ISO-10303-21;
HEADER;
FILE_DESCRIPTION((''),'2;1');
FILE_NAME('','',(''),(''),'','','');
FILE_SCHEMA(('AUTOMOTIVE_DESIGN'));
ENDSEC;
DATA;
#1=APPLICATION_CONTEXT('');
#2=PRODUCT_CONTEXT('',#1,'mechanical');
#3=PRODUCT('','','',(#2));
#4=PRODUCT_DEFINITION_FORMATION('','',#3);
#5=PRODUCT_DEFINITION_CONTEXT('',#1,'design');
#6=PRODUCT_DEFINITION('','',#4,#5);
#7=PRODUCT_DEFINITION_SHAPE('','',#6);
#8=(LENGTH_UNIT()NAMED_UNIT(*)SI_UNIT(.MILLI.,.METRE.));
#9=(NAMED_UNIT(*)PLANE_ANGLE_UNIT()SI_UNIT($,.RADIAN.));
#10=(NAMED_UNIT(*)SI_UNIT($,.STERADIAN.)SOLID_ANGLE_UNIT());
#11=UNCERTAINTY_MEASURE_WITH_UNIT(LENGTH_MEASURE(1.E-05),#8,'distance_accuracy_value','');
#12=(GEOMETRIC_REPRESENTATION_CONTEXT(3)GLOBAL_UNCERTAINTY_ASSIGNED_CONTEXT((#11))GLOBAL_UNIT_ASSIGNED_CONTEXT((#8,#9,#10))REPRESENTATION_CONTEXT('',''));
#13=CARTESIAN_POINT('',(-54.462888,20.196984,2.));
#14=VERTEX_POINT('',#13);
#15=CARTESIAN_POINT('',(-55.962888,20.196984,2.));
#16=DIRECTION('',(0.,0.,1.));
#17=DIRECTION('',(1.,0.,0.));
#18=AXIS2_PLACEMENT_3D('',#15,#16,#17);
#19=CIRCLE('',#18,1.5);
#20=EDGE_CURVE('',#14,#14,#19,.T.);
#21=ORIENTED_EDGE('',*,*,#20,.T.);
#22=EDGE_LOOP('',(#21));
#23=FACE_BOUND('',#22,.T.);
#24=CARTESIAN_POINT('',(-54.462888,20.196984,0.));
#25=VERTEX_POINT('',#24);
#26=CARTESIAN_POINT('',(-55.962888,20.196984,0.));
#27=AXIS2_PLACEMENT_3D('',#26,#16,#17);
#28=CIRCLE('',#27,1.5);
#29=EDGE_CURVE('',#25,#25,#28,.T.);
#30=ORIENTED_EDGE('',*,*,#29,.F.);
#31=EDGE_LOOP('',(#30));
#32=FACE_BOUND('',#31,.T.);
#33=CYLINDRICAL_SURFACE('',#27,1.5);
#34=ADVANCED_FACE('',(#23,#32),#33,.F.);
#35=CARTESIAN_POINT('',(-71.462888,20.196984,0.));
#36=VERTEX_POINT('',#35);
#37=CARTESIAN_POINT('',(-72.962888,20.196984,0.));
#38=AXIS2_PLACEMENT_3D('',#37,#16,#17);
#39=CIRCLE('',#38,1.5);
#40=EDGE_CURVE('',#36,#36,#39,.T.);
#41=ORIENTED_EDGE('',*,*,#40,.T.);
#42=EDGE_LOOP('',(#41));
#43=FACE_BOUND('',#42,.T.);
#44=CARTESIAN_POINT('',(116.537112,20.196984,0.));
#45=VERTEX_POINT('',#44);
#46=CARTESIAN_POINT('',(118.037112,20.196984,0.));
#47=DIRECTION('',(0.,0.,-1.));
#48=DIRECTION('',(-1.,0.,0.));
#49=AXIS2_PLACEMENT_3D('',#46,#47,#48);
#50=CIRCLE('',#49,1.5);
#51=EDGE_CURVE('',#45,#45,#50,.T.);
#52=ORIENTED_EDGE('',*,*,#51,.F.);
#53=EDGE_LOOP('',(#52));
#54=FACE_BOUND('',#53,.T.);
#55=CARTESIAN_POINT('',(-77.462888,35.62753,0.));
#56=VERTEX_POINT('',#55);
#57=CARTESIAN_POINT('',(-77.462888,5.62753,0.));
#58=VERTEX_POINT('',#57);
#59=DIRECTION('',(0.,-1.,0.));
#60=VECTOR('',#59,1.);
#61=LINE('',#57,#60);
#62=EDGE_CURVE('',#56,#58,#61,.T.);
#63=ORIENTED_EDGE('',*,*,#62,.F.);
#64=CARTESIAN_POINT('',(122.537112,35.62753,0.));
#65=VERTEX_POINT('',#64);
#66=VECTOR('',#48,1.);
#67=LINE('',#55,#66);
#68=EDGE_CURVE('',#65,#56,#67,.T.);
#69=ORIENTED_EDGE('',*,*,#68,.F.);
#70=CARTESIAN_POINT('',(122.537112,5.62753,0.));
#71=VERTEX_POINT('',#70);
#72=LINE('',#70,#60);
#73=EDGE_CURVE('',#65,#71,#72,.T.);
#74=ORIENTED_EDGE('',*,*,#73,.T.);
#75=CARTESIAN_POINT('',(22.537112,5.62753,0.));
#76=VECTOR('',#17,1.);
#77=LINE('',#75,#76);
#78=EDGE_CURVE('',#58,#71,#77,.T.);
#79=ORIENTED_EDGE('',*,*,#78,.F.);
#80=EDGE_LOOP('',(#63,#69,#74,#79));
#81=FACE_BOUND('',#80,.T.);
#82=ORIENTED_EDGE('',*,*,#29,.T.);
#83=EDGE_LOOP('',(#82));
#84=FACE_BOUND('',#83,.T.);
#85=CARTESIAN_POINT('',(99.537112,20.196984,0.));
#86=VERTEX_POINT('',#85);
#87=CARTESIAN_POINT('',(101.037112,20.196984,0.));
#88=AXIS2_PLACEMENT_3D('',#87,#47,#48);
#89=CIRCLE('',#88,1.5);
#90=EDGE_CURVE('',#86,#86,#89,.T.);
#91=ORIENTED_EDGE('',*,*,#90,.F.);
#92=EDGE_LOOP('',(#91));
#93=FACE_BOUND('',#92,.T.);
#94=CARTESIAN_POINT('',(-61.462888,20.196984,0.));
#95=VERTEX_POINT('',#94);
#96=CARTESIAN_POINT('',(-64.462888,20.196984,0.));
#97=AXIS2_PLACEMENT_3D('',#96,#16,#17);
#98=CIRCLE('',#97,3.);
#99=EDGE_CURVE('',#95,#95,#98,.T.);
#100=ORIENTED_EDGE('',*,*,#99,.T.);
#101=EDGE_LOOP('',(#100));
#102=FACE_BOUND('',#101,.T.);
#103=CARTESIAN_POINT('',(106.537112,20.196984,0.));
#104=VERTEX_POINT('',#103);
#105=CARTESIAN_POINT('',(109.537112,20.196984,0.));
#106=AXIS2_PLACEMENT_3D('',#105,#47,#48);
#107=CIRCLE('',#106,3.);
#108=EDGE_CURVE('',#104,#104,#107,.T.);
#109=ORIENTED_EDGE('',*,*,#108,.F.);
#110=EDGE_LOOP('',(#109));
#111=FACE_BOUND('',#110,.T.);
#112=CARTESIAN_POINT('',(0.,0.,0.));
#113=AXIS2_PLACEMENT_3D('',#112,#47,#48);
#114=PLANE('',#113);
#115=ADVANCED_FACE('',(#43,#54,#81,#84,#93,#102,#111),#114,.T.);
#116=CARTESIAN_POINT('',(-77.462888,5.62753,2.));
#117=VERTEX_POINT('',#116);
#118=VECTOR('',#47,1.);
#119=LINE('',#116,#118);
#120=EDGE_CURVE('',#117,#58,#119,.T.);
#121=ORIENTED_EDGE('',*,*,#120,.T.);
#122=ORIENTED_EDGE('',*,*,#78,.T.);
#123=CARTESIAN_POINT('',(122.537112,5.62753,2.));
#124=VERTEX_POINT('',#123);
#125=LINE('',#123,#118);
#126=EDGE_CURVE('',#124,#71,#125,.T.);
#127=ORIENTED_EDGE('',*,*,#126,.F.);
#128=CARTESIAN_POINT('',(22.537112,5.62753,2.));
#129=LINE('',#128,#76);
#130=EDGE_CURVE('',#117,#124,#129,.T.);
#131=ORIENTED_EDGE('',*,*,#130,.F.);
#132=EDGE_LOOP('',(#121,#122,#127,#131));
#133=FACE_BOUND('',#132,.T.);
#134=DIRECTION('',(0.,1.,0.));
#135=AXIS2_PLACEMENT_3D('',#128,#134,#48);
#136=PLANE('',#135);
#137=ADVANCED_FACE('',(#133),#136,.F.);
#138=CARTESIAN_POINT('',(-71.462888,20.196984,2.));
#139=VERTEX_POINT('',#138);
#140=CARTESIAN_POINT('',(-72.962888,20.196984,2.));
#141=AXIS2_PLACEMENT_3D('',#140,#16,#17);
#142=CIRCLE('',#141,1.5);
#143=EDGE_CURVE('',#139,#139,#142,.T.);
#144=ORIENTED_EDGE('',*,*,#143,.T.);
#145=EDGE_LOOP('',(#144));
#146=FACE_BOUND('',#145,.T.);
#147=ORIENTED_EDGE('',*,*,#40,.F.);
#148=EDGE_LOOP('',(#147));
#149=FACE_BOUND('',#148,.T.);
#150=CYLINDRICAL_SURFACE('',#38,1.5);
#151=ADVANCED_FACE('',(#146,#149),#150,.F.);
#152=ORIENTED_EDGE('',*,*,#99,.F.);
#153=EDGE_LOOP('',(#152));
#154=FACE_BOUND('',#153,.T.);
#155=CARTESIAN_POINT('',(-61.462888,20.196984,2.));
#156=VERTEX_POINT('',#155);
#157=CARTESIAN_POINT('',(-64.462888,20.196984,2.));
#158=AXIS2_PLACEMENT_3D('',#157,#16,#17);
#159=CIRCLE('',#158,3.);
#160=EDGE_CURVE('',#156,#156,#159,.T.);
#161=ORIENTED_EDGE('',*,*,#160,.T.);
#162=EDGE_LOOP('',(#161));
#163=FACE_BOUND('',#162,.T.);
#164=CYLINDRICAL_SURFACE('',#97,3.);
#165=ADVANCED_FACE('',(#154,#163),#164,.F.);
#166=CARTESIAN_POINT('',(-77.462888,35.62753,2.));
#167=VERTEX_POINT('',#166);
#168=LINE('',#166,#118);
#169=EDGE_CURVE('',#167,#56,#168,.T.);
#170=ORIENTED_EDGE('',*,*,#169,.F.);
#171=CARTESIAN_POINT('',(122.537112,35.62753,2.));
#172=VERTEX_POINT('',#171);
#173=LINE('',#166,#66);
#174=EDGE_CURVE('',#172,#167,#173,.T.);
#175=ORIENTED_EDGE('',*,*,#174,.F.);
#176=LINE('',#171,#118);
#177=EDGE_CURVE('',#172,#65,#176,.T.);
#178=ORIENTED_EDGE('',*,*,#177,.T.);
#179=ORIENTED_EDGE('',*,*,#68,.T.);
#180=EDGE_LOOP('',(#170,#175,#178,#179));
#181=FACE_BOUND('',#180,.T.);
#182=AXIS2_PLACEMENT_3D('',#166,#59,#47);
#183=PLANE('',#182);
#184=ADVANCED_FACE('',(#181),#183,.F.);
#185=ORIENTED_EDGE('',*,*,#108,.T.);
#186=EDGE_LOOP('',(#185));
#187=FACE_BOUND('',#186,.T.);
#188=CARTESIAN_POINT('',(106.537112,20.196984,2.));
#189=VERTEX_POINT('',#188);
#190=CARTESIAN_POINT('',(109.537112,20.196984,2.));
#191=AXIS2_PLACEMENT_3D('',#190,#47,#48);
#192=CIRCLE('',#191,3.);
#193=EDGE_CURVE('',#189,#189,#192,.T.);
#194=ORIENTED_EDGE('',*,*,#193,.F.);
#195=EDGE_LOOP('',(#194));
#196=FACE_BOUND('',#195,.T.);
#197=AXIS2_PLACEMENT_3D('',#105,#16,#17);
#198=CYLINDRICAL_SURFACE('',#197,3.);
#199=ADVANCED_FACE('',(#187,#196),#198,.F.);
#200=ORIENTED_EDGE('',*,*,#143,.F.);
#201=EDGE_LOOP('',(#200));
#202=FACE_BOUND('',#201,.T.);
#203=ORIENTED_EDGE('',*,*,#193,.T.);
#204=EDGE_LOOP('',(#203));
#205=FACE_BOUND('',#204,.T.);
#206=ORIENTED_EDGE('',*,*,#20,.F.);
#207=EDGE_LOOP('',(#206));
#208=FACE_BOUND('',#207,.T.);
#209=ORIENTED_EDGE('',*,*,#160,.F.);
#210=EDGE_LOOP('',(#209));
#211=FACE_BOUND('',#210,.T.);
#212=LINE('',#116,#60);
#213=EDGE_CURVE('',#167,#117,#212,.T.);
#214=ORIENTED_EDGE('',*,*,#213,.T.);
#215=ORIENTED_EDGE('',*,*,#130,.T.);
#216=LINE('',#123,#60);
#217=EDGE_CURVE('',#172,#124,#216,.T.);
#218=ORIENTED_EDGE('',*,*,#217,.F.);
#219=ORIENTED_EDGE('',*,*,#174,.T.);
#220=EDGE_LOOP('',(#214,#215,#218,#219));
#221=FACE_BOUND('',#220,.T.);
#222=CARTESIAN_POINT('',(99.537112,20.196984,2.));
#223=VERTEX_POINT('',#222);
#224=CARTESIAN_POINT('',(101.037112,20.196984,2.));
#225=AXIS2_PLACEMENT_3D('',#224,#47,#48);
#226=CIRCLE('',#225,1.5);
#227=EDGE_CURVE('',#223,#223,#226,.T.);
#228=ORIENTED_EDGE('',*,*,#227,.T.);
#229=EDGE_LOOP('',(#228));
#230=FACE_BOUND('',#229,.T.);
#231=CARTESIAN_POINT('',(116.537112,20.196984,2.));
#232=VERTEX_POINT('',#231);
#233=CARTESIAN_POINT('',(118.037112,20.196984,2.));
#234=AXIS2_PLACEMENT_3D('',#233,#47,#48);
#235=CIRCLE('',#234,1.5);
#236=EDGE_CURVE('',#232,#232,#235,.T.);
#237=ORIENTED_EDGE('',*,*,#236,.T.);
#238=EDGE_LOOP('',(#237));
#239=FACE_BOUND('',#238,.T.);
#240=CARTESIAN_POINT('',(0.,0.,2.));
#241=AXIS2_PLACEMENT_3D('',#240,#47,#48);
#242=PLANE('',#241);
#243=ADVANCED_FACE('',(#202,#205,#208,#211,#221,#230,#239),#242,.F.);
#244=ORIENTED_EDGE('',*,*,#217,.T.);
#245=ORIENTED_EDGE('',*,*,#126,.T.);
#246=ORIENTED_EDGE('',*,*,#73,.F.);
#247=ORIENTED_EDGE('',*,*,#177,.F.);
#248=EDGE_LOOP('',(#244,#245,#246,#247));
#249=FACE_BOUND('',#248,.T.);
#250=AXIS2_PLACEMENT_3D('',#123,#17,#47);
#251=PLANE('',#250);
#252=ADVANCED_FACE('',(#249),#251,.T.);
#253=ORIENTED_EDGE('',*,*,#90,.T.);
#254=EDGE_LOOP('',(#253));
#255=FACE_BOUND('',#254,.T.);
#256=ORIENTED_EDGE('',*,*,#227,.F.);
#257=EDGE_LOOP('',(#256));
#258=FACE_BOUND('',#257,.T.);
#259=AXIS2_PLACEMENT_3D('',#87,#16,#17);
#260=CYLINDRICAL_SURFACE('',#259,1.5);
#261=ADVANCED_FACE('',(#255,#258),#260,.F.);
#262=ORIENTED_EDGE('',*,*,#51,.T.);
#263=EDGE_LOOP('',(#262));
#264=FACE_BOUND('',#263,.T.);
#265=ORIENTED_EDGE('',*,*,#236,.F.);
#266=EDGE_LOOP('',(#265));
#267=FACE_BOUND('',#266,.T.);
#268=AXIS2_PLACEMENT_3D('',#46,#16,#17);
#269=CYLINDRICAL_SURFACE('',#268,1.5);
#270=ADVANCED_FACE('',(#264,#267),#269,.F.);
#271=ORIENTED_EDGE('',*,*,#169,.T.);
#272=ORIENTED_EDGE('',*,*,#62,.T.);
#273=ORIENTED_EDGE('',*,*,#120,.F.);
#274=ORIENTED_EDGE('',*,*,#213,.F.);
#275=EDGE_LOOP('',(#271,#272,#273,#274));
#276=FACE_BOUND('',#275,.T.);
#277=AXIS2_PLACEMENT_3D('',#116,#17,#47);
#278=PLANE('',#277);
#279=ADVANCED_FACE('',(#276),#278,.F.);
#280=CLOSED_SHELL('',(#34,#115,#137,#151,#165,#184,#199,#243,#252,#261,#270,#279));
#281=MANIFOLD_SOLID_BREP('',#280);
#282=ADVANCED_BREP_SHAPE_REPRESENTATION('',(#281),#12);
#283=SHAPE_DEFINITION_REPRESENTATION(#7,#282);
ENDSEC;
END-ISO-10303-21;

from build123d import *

# Parameters (mm, degrees)
SKETCH1_W           = 100
SKETCH1_H           = 30
BOSS_EXTRUDE1_DEPTH = 2
SKETCH2_R           = 3
SKETCH2_R_2         = 1.5
CUT_EXTRUDE2_DEPTH  = 2


with BuildPart() as part:
    # Sketch1 → Boss-Extrude1 (new body)
    with BuildSketch(Plane.XY):
        with Locations((-27.462887989, 20.627530364)):
            Rectangle(SKETCH1_W, SKETCH1_H)
    boss_extrude1 = extrude(amount=BOSS_EXTRUDE1_DEPTH)

    # Sketch2 → Cut-Extrude2 (cut)
    with BuildSketch(Plane.XY.offset(2)):
        with Locations((-64.462887989, 20.196984479)):
            Circle(SKETCH2_R)
        with Locations((-72.962887989, 20.196984479)):
            Circle(SKETCH2_R_2)
        with Locations((-55.962887989, 20.196984479)):
            Circle(SKETCH2_R_2)
    cut_extrude2 = extrude(amount=-CUT_EXTRUDE2_DEPTH, mode=Mode.SUBTRACT)

    # Mirror2: Boss-Extrude1, Cut-Extrude2 across plane
    add(boss_extrude1.mirror(Plane(origin=(22.537112011, 35.627530364, 2), x_dir=(0, 0, 1), z_dir=(-1, 0, 0))))
    add(cut_extrude2.mirror(Plane(origin=(22.537112011, 35.627530364, 2), x_dir=(0, 0, 1), z_dir=(-1, 0, 0))), mode=Mode.SUBTRACT)


solid = part.part
